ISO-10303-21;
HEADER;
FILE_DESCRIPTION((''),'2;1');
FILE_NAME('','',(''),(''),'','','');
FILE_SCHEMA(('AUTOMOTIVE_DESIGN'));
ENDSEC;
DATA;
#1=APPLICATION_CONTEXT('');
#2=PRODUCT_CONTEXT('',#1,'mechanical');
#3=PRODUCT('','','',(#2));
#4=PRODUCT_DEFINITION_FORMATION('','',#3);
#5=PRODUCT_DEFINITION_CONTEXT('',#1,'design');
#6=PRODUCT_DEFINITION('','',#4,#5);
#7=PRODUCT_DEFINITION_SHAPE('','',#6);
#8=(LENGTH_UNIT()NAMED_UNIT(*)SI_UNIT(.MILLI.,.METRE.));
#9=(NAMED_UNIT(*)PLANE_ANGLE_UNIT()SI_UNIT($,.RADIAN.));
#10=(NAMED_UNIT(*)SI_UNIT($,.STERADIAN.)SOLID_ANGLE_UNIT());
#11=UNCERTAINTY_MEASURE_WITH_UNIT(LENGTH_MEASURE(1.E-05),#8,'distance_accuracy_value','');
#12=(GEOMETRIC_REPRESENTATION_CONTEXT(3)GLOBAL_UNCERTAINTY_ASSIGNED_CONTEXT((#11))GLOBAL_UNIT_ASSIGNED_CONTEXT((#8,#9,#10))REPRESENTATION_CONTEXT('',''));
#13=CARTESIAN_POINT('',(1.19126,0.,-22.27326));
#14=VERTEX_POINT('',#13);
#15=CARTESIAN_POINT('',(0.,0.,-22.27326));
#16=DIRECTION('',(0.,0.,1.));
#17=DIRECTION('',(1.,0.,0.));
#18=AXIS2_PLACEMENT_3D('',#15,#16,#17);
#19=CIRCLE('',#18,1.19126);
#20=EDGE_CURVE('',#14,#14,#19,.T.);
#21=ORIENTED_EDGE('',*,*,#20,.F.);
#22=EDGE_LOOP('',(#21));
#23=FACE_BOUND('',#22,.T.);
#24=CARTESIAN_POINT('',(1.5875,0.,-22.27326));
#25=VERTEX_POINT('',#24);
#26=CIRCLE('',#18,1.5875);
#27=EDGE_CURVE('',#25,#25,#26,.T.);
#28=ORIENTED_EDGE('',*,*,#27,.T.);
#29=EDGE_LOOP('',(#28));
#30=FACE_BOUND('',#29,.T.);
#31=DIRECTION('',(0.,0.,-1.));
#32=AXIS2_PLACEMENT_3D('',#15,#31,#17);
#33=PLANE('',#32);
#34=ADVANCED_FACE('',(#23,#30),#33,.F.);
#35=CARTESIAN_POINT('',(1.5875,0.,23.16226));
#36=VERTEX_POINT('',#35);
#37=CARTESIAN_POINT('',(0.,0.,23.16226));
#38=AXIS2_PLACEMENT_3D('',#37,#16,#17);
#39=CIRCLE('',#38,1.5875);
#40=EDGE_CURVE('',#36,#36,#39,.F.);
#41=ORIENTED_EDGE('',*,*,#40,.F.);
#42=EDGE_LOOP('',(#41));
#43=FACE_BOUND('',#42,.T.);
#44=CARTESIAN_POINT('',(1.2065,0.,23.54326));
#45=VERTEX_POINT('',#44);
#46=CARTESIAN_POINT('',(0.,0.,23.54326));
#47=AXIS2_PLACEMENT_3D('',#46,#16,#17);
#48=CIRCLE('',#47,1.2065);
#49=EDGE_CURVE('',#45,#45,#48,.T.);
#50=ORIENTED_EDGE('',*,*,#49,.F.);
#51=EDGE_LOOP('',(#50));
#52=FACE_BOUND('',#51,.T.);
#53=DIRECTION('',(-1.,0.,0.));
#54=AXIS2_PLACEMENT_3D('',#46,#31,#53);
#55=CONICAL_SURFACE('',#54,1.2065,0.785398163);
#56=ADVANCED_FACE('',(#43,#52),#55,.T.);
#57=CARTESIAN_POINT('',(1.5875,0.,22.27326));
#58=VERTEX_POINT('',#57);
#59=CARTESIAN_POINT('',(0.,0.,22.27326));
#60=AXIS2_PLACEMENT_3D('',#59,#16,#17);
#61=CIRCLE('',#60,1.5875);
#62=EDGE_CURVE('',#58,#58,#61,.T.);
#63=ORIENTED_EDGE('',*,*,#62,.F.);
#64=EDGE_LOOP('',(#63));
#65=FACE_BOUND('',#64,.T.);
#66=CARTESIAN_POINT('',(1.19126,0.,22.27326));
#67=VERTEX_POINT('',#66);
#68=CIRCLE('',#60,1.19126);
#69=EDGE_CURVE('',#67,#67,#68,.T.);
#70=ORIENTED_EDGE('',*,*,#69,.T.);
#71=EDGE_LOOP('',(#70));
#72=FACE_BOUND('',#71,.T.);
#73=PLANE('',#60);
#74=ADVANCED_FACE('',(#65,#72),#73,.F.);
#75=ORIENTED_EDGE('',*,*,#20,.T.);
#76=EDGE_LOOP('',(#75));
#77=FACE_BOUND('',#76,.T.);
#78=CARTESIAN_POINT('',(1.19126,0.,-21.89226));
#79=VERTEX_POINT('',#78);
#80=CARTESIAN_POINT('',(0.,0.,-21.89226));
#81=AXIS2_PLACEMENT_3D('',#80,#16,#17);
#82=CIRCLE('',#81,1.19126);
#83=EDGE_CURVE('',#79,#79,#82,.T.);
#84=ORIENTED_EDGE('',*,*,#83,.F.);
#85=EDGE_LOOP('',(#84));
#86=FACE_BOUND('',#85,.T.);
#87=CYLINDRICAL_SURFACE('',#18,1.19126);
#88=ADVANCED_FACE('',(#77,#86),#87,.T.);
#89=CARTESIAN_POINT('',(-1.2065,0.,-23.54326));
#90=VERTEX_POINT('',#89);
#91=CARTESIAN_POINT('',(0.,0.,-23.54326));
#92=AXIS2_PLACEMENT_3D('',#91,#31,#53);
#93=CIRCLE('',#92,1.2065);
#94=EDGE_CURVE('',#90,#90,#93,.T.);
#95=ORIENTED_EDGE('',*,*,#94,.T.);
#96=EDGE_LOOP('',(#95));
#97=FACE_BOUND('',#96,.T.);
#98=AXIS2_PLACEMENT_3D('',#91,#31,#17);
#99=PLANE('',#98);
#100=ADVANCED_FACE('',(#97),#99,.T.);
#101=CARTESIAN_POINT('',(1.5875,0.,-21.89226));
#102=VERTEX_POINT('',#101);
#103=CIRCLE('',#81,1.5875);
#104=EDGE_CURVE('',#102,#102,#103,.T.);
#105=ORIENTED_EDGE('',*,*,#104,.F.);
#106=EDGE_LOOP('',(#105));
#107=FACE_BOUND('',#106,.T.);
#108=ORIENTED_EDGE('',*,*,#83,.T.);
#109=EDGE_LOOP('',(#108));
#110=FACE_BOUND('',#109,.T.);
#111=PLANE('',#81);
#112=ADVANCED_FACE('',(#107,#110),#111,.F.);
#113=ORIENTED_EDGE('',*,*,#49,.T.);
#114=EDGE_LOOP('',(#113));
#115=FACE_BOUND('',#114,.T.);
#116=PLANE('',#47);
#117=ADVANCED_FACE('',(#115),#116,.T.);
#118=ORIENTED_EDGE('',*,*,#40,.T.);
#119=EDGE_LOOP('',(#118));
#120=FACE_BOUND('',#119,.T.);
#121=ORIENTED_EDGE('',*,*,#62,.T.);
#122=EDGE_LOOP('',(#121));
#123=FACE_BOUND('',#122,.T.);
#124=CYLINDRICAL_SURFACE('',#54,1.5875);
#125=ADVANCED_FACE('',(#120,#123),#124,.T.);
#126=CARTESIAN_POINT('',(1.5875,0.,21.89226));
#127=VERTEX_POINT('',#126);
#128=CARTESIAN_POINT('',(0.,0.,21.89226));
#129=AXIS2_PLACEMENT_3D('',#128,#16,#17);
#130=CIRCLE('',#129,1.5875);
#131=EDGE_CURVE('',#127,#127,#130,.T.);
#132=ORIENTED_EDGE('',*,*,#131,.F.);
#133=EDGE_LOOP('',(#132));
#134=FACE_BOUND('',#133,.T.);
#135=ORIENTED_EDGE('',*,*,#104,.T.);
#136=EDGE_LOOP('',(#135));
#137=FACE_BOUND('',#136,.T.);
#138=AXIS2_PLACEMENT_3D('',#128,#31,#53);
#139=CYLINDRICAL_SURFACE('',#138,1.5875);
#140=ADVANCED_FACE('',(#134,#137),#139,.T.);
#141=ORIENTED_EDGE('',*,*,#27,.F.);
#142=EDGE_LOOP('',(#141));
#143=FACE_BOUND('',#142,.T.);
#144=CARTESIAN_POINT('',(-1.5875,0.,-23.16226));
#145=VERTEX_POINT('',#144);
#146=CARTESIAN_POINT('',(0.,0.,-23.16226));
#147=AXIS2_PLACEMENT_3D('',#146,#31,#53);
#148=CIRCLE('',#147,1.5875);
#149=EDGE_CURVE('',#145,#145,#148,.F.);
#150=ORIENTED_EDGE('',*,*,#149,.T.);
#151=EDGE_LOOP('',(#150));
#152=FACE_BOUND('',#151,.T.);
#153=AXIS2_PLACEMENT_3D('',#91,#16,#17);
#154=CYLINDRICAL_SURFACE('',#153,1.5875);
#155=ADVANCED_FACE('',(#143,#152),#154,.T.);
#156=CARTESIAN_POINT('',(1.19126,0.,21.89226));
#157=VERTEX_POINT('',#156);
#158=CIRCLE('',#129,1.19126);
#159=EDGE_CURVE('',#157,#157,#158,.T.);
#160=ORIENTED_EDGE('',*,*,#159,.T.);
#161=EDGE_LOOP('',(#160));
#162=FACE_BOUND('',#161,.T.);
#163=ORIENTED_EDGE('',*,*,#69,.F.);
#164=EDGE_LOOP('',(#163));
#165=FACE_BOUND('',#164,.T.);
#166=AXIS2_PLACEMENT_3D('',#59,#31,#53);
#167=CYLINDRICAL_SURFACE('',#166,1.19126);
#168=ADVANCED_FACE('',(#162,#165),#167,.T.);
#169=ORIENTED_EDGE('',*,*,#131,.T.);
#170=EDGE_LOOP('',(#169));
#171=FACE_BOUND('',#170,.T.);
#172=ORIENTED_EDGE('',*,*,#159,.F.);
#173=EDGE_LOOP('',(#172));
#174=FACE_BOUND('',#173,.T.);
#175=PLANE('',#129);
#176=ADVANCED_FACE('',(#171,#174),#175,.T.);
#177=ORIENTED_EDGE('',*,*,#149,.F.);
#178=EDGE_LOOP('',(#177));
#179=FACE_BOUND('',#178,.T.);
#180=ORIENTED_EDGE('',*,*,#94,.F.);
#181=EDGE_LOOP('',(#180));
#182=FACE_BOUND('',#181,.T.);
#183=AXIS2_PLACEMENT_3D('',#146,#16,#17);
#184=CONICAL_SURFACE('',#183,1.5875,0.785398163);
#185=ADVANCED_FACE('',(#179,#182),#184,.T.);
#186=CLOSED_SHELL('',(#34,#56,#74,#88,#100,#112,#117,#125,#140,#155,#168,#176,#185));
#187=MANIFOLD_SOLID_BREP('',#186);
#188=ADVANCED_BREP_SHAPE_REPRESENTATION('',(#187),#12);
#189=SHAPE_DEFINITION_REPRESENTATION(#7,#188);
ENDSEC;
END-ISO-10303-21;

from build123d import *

# Parameters (mm, degrees)
SKETCH1_R                = 1.5875
BOSS_EXTRUDE1_DEPTH      = 21.89226
SKETCH2_R                = 1.19126
BOSS_EXTRUDE2_DEPTH      = 0.381
SKETCH3_R                = 1.5875
BOSS_EXTRUDE3_DEPTH      = 1.27
CHAMFER1_SIZE            = 0.381
CHAMFER1_OF_MIRROR1_SIZE = 0.381


with BuildPart() as part:
    # Sketch1 → Boss-Extrude1 (new body, symmetric)
    with BuildSketch(Plane.XY):
        Circle(SKETCH1_R)
    extrude(amount=BOSS_EXTRUDE1_DEPTH, both=True)

    # Sketch2 → Boss-Extrude2 (add)
    with BuildSketch(Plane.XY.offset(21.89226)):
        Circle(SKETCH2_R)
    boss_extrude2 = extrude(amount=BOSS_EXTRUDE2_DEPTH)

    # Sketch3 → Boss-Extrude3 (add)
    with BuildSketch(Plane.XY.offset(22.27326)):
        Circle(SKETCH3_R)
    boss_extrude3 = extrude(amount=BOSS_EXTRUDE3_DEPTH)

    # Chamfer1
    chamfer1_edges = [part.edges().sort_by_distance(p)[0] for p in [
        (-1.5875, 0, 23.54326),
    ]]
    chamfer(chamfer1_edges, length=CHAMFER1_SIZE)

    # Mirror1: Boss-Extrude2, Boss-Extrude3 across plane
    add(boss_extrude2.mirror(Plane.XY))
    add(boss_extrude3.mirror(Plane.XY))

    # Chamfer1 of Mirror1
    chamfer1_of_mirror1_edges = [part.edges().sort_by_distance(p)[0] for p in [
        (-1.5875, 0, -23.54326),
    ]]
    chamfer(chamfer1_of_mirror1_edges, length=CHAMFER1_OF_MIRROR1_SIZE)


solid = part.part
